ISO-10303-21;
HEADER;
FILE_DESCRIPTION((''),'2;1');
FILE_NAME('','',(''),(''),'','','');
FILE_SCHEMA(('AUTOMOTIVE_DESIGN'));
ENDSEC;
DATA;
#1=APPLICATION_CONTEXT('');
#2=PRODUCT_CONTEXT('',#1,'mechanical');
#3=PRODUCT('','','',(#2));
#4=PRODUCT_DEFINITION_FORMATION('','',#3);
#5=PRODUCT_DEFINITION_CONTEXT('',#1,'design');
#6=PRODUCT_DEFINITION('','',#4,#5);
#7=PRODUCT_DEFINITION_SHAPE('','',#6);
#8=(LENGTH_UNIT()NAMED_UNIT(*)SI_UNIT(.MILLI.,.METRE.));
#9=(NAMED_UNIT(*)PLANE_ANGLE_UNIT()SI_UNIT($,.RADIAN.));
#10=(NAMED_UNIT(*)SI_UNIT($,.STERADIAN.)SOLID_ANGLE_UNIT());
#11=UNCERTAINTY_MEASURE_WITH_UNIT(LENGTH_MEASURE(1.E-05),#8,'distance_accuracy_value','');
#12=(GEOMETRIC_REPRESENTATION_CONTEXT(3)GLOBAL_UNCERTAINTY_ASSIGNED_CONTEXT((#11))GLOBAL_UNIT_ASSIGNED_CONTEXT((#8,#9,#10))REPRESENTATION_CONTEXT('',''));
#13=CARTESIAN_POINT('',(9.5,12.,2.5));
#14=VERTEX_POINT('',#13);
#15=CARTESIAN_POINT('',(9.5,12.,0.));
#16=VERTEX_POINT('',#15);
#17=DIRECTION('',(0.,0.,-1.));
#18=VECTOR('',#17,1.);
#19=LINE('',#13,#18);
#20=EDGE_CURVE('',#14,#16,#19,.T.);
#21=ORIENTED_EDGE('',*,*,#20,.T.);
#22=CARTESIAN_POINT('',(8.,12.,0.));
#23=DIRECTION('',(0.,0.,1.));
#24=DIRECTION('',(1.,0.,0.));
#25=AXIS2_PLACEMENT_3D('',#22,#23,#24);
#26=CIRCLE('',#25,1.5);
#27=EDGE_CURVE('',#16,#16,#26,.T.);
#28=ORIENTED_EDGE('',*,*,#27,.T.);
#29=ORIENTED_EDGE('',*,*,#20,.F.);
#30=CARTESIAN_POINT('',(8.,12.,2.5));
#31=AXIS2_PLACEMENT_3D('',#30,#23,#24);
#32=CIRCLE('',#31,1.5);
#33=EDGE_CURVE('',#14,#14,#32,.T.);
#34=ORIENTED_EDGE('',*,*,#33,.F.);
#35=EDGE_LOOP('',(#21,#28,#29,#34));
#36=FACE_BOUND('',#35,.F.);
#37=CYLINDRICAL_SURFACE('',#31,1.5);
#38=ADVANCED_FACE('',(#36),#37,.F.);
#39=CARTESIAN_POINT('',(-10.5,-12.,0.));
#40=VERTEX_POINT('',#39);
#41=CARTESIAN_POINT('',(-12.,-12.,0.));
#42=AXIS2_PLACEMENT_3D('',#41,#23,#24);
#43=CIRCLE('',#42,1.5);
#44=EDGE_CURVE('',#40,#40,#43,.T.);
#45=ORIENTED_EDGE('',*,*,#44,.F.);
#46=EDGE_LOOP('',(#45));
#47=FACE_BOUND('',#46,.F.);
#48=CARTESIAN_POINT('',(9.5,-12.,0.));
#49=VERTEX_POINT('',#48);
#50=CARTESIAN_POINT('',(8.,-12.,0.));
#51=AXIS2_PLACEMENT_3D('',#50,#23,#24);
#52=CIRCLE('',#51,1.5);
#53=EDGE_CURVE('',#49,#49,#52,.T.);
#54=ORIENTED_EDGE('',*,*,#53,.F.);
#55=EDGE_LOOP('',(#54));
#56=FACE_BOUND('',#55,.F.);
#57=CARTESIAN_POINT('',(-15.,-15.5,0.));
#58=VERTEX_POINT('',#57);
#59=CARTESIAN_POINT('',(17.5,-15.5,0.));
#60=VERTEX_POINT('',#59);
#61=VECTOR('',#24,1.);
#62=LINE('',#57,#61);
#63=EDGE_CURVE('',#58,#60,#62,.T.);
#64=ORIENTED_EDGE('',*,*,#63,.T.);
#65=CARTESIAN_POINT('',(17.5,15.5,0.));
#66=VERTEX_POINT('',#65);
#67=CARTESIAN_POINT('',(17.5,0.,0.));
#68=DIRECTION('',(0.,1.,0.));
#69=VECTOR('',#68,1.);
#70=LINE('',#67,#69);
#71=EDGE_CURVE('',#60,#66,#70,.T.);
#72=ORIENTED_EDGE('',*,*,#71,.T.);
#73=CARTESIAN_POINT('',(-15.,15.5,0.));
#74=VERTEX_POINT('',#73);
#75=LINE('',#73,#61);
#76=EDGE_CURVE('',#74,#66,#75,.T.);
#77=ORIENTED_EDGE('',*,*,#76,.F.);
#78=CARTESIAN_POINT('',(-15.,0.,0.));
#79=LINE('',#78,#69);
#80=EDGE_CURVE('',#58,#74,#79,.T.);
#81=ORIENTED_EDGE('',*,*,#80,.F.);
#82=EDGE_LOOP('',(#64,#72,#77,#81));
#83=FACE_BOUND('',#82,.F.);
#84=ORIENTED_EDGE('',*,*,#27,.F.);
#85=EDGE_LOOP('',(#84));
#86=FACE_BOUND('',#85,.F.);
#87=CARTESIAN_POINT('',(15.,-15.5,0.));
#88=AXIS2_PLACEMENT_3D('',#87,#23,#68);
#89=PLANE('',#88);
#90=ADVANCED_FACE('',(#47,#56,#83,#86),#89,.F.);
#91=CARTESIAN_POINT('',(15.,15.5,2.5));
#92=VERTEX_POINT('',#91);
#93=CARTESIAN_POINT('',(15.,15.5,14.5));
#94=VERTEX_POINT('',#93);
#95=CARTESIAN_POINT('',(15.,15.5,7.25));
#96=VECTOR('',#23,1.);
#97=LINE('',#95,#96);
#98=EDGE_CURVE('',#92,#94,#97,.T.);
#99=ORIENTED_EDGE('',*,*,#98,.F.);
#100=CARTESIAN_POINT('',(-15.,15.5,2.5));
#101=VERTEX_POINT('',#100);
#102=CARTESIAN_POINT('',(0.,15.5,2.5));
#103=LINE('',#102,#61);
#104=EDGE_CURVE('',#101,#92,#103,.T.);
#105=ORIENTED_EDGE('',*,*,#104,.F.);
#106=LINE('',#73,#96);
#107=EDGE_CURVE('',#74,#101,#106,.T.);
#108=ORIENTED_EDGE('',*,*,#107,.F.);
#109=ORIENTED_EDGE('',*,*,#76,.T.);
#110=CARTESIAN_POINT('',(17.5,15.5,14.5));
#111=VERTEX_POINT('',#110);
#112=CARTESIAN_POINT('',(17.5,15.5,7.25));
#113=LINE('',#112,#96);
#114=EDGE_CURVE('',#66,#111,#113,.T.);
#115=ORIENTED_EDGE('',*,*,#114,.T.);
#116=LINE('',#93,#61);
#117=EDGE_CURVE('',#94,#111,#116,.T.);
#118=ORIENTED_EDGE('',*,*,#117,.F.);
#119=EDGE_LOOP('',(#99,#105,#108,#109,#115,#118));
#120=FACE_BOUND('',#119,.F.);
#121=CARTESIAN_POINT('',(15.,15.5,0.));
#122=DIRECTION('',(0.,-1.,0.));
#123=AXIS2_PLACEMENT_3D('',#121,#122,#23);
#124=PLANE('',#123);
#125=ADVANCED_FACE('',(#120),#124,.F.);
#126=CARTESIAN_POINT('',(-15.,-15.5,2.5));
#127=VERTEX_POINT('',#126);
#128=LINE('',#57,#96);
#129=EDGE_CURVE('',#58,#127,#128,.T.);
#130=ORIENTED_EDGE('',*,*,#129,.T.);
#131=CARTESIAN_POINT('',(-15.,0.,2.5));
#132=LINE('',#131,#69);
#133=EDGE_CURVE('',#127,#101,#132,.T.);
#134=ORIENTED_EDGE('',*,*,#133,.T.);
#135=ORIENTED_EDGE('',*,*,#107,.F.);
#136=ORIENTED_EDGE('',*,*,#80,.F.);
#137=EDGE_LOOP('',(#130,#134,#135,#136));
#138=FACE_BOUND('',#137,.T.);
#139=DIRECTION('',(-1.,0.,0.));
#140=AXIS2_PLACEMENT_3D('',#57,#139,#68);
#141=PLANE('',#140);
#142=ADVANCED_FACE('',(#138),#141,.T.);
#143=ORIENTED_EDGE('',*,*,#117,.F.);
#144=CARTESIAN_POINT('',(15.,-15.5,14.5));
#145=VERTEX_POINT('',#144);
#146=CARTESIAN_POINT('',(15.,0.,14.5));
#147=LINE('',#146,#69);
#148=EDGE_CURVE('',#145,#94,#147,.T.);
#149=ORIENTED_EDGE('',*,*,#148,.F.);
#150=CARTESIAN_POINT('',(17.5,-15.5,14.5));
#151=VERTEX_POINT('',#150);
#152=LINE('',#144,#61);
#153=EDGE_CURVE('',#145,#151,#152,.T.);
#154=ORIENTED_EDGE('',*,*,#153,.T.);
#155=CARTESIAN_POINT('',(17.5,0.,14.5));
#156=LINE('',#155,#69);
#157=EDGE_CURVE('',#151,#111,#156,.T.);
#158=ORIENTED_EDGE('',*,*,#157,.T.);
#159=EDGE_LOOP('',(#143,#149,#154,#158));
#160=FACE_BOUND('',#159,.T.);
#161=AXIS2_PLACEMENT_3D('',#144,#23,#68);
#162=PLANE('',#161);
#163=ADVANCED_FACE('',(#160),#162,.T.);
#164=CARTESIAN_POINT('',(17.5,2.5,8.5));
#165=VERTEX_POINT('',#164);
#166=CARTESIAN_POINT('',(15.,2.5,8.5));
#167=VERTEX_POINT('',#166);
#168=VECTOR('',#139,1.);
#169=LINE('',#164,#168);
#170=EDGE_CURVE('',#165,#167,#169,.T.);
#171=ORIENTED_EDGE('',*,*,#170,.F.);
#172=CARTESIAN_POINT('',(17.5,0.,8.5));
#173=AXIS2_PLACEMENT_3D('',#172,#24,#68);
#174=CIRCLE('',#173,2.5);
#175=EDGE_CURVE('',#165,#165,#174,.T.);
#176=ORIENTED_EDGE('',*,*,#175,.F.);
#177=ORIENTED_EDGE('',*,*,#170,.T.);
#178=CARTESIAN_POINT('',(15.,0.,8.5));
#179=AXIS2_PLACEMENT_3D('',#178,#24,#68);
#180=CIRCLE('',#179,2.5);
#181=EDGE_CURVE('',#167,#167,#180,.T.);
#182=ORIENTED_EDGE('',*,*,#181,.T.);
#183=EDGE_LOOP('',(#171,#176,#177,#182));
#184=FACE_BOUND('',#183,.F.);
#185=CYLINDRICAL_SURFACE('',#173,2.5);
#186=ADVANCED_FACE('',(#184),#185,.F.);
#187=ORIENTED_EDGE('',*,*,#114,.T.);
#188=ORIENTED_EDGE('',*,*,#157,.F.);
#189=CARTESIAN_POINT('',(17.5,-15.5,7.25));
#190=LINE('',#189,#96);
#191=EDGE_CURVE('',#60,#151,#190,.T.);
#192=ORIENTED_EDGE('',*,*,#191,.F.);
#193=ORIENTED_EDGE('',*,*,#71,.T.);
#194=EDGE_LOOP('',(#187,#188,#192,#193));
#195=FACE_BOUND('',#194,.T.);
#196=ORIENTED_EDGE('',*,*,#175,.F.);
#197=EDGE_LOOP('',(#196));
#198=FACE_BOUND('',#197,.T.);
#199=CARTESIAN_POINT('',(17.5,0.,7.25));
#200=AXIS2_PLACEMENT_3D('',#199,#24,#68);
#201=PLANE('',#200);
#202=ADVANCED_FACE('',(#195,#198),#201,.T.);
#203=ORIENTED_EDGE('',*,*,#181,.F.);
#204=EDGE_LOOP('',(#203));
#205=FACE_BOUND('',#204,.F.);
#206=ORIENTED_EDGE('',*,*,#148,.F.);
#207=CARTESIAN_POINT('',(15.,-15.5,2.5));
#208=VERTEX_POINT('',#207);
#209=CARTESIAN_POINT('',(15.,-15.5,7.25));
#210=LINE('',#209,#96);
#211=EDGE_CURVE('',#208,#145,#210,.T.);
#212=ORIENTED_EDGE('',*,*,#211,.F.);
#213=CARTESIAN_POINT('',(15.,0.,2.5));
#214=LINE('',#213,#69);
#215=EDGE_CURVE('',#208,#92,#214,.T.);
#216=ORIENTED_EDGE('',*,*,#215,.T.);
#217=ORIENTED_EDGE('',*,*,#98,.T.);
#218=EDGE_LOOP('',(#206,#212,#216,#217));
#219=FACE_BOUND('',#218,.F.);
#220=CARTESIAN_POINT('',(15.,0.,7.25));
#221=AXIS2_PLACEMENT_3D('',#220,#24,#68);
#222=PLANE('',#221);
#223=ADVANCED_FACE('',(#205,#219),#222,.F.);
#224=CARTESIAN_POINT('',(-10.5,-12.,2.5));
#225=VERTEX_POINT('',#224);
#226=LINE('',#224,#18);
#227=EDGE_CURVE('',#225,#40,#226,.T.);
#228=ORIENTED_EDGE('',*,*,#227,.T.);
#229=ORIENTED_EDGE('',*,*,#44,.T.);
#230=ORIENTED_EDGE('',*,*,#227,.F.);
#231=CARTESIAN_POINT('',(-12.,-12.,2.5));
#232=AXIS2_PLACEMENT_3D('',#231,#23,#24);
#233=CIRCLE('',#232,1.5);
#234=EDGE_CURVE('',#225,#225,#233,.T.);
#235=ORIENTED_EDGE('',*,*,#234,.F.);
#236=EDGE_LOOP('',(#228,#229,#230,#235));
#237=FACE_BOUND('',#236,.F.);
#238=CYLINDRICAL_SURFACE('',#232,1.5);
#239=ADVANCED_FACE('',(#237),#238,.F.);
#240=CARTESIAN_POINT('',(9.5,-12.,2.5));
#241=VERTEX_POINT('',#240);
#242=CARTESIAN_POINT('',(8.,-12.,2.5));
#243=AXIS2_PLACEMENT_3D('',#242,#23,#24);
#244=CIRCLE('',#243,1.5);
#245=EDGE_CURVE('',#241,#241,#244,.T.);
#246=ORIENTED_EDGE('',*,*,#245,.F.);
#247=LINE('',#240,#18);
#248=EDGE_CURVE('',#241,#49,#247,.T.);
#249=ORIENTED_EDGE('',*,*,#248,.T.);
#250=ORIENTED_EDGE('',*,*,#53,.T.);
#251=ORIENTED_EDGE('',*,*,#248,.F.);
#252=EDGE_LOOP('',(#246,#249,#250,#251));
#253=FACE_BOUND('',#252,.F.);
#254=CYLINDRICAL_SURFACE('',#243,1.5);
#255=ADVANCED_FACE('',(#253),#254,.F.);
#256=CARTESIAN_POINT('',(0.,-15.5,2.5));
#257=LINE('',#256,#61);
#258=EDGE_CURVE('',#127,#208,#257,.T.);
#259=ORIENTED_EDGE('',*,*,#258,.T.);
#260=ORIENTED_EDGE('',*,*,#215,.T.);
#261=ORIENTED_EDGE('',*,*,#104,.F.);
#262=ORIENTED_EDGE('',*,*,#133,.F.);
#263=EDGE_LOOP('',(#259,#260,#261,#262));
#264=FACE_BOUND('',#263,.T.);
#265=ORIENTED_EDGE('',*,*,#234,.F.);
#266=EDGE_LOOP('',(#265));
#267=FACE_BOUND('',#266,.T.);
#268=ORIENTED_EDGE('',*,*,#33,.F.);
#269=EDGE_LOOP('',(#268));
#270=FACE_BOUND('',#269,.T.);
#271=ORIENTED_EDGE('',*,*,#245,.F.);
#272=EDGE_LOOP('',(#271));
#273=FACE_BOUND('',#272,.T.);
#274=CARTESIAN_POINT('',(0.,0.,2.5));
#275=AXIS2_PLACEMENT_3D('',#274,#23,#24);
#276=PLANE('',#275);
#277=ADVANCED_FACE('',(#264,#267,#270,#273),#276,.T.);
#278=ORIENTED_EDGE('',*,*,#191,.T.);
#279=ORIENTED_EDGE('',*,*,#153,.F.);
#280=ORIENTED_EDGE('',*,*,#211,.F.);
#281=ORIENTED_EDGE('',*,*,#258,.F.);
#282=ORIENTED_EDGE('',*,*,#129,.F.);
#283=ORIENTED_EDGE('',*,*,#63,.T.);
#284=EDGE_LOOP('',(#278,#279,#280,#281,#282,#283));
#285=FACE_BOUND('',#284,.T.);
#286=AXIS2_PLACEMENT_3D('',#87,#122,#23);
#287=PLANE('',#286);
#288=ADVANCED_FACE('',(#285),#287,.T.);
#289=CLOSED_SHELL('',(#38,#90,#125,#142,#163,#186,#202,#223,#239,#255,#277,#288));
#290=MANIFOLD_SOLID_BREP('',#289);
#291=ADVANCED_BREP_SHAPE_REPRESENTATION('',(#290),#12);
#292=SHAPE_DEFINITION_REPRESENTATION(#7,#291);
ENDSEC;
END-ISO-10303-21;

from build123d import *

# Parameters (mm, degrees)
F0_W     = 30
F0_H     = 31
F1_DEPTH = 2.5
F2_R     = 1.5
F3_DEPTH = 2.501
F4_W     = 31
F4_H     = 14.5
F5_DEPTH = 2.5
F6_R     = 2.5
F7_DEPTH = 32.501


with BuildPart() as f1:
    # F0 (on Top) → F1 (new body)
    with BuildSketch(Plane.XY):
        Rectangle(F0_W, F0_H)
    extrude(amount=F1_DEPTH)

    # F2 (on face) → F3 (cut, through all)
    with BuildSketch(Plane.XY.offset(2.5)):
        with Locations((-12, -12)):
            Circle(F2_R)
        with Locations((8, -12)):
            Circle(F2_R)
        with Locations((8, 12)):
            Circle(F2_R)
    extrude(amount=-F3_DEPTH, mode=Mode.SUBTRACT)

    # F4 (on face) → F5 (join)
    with BuildSketch(Plane.YZ.offset(15)):
        with Locations((0, 7.25)):
            Rectangle(F4_W, F4_H)
    extrude(amount=F5_DEPTH)

    # F6 (on face) → F7 (cut, through all)
    with BuildSketch(Plane.YZ.offset(17.5)):
        with Locations((0, 8.5)):
            Circle(F6_R)
    extrude(amount=-F7_DEPTH, mode=Mode.SUBTRACT)


solid = f1.part
